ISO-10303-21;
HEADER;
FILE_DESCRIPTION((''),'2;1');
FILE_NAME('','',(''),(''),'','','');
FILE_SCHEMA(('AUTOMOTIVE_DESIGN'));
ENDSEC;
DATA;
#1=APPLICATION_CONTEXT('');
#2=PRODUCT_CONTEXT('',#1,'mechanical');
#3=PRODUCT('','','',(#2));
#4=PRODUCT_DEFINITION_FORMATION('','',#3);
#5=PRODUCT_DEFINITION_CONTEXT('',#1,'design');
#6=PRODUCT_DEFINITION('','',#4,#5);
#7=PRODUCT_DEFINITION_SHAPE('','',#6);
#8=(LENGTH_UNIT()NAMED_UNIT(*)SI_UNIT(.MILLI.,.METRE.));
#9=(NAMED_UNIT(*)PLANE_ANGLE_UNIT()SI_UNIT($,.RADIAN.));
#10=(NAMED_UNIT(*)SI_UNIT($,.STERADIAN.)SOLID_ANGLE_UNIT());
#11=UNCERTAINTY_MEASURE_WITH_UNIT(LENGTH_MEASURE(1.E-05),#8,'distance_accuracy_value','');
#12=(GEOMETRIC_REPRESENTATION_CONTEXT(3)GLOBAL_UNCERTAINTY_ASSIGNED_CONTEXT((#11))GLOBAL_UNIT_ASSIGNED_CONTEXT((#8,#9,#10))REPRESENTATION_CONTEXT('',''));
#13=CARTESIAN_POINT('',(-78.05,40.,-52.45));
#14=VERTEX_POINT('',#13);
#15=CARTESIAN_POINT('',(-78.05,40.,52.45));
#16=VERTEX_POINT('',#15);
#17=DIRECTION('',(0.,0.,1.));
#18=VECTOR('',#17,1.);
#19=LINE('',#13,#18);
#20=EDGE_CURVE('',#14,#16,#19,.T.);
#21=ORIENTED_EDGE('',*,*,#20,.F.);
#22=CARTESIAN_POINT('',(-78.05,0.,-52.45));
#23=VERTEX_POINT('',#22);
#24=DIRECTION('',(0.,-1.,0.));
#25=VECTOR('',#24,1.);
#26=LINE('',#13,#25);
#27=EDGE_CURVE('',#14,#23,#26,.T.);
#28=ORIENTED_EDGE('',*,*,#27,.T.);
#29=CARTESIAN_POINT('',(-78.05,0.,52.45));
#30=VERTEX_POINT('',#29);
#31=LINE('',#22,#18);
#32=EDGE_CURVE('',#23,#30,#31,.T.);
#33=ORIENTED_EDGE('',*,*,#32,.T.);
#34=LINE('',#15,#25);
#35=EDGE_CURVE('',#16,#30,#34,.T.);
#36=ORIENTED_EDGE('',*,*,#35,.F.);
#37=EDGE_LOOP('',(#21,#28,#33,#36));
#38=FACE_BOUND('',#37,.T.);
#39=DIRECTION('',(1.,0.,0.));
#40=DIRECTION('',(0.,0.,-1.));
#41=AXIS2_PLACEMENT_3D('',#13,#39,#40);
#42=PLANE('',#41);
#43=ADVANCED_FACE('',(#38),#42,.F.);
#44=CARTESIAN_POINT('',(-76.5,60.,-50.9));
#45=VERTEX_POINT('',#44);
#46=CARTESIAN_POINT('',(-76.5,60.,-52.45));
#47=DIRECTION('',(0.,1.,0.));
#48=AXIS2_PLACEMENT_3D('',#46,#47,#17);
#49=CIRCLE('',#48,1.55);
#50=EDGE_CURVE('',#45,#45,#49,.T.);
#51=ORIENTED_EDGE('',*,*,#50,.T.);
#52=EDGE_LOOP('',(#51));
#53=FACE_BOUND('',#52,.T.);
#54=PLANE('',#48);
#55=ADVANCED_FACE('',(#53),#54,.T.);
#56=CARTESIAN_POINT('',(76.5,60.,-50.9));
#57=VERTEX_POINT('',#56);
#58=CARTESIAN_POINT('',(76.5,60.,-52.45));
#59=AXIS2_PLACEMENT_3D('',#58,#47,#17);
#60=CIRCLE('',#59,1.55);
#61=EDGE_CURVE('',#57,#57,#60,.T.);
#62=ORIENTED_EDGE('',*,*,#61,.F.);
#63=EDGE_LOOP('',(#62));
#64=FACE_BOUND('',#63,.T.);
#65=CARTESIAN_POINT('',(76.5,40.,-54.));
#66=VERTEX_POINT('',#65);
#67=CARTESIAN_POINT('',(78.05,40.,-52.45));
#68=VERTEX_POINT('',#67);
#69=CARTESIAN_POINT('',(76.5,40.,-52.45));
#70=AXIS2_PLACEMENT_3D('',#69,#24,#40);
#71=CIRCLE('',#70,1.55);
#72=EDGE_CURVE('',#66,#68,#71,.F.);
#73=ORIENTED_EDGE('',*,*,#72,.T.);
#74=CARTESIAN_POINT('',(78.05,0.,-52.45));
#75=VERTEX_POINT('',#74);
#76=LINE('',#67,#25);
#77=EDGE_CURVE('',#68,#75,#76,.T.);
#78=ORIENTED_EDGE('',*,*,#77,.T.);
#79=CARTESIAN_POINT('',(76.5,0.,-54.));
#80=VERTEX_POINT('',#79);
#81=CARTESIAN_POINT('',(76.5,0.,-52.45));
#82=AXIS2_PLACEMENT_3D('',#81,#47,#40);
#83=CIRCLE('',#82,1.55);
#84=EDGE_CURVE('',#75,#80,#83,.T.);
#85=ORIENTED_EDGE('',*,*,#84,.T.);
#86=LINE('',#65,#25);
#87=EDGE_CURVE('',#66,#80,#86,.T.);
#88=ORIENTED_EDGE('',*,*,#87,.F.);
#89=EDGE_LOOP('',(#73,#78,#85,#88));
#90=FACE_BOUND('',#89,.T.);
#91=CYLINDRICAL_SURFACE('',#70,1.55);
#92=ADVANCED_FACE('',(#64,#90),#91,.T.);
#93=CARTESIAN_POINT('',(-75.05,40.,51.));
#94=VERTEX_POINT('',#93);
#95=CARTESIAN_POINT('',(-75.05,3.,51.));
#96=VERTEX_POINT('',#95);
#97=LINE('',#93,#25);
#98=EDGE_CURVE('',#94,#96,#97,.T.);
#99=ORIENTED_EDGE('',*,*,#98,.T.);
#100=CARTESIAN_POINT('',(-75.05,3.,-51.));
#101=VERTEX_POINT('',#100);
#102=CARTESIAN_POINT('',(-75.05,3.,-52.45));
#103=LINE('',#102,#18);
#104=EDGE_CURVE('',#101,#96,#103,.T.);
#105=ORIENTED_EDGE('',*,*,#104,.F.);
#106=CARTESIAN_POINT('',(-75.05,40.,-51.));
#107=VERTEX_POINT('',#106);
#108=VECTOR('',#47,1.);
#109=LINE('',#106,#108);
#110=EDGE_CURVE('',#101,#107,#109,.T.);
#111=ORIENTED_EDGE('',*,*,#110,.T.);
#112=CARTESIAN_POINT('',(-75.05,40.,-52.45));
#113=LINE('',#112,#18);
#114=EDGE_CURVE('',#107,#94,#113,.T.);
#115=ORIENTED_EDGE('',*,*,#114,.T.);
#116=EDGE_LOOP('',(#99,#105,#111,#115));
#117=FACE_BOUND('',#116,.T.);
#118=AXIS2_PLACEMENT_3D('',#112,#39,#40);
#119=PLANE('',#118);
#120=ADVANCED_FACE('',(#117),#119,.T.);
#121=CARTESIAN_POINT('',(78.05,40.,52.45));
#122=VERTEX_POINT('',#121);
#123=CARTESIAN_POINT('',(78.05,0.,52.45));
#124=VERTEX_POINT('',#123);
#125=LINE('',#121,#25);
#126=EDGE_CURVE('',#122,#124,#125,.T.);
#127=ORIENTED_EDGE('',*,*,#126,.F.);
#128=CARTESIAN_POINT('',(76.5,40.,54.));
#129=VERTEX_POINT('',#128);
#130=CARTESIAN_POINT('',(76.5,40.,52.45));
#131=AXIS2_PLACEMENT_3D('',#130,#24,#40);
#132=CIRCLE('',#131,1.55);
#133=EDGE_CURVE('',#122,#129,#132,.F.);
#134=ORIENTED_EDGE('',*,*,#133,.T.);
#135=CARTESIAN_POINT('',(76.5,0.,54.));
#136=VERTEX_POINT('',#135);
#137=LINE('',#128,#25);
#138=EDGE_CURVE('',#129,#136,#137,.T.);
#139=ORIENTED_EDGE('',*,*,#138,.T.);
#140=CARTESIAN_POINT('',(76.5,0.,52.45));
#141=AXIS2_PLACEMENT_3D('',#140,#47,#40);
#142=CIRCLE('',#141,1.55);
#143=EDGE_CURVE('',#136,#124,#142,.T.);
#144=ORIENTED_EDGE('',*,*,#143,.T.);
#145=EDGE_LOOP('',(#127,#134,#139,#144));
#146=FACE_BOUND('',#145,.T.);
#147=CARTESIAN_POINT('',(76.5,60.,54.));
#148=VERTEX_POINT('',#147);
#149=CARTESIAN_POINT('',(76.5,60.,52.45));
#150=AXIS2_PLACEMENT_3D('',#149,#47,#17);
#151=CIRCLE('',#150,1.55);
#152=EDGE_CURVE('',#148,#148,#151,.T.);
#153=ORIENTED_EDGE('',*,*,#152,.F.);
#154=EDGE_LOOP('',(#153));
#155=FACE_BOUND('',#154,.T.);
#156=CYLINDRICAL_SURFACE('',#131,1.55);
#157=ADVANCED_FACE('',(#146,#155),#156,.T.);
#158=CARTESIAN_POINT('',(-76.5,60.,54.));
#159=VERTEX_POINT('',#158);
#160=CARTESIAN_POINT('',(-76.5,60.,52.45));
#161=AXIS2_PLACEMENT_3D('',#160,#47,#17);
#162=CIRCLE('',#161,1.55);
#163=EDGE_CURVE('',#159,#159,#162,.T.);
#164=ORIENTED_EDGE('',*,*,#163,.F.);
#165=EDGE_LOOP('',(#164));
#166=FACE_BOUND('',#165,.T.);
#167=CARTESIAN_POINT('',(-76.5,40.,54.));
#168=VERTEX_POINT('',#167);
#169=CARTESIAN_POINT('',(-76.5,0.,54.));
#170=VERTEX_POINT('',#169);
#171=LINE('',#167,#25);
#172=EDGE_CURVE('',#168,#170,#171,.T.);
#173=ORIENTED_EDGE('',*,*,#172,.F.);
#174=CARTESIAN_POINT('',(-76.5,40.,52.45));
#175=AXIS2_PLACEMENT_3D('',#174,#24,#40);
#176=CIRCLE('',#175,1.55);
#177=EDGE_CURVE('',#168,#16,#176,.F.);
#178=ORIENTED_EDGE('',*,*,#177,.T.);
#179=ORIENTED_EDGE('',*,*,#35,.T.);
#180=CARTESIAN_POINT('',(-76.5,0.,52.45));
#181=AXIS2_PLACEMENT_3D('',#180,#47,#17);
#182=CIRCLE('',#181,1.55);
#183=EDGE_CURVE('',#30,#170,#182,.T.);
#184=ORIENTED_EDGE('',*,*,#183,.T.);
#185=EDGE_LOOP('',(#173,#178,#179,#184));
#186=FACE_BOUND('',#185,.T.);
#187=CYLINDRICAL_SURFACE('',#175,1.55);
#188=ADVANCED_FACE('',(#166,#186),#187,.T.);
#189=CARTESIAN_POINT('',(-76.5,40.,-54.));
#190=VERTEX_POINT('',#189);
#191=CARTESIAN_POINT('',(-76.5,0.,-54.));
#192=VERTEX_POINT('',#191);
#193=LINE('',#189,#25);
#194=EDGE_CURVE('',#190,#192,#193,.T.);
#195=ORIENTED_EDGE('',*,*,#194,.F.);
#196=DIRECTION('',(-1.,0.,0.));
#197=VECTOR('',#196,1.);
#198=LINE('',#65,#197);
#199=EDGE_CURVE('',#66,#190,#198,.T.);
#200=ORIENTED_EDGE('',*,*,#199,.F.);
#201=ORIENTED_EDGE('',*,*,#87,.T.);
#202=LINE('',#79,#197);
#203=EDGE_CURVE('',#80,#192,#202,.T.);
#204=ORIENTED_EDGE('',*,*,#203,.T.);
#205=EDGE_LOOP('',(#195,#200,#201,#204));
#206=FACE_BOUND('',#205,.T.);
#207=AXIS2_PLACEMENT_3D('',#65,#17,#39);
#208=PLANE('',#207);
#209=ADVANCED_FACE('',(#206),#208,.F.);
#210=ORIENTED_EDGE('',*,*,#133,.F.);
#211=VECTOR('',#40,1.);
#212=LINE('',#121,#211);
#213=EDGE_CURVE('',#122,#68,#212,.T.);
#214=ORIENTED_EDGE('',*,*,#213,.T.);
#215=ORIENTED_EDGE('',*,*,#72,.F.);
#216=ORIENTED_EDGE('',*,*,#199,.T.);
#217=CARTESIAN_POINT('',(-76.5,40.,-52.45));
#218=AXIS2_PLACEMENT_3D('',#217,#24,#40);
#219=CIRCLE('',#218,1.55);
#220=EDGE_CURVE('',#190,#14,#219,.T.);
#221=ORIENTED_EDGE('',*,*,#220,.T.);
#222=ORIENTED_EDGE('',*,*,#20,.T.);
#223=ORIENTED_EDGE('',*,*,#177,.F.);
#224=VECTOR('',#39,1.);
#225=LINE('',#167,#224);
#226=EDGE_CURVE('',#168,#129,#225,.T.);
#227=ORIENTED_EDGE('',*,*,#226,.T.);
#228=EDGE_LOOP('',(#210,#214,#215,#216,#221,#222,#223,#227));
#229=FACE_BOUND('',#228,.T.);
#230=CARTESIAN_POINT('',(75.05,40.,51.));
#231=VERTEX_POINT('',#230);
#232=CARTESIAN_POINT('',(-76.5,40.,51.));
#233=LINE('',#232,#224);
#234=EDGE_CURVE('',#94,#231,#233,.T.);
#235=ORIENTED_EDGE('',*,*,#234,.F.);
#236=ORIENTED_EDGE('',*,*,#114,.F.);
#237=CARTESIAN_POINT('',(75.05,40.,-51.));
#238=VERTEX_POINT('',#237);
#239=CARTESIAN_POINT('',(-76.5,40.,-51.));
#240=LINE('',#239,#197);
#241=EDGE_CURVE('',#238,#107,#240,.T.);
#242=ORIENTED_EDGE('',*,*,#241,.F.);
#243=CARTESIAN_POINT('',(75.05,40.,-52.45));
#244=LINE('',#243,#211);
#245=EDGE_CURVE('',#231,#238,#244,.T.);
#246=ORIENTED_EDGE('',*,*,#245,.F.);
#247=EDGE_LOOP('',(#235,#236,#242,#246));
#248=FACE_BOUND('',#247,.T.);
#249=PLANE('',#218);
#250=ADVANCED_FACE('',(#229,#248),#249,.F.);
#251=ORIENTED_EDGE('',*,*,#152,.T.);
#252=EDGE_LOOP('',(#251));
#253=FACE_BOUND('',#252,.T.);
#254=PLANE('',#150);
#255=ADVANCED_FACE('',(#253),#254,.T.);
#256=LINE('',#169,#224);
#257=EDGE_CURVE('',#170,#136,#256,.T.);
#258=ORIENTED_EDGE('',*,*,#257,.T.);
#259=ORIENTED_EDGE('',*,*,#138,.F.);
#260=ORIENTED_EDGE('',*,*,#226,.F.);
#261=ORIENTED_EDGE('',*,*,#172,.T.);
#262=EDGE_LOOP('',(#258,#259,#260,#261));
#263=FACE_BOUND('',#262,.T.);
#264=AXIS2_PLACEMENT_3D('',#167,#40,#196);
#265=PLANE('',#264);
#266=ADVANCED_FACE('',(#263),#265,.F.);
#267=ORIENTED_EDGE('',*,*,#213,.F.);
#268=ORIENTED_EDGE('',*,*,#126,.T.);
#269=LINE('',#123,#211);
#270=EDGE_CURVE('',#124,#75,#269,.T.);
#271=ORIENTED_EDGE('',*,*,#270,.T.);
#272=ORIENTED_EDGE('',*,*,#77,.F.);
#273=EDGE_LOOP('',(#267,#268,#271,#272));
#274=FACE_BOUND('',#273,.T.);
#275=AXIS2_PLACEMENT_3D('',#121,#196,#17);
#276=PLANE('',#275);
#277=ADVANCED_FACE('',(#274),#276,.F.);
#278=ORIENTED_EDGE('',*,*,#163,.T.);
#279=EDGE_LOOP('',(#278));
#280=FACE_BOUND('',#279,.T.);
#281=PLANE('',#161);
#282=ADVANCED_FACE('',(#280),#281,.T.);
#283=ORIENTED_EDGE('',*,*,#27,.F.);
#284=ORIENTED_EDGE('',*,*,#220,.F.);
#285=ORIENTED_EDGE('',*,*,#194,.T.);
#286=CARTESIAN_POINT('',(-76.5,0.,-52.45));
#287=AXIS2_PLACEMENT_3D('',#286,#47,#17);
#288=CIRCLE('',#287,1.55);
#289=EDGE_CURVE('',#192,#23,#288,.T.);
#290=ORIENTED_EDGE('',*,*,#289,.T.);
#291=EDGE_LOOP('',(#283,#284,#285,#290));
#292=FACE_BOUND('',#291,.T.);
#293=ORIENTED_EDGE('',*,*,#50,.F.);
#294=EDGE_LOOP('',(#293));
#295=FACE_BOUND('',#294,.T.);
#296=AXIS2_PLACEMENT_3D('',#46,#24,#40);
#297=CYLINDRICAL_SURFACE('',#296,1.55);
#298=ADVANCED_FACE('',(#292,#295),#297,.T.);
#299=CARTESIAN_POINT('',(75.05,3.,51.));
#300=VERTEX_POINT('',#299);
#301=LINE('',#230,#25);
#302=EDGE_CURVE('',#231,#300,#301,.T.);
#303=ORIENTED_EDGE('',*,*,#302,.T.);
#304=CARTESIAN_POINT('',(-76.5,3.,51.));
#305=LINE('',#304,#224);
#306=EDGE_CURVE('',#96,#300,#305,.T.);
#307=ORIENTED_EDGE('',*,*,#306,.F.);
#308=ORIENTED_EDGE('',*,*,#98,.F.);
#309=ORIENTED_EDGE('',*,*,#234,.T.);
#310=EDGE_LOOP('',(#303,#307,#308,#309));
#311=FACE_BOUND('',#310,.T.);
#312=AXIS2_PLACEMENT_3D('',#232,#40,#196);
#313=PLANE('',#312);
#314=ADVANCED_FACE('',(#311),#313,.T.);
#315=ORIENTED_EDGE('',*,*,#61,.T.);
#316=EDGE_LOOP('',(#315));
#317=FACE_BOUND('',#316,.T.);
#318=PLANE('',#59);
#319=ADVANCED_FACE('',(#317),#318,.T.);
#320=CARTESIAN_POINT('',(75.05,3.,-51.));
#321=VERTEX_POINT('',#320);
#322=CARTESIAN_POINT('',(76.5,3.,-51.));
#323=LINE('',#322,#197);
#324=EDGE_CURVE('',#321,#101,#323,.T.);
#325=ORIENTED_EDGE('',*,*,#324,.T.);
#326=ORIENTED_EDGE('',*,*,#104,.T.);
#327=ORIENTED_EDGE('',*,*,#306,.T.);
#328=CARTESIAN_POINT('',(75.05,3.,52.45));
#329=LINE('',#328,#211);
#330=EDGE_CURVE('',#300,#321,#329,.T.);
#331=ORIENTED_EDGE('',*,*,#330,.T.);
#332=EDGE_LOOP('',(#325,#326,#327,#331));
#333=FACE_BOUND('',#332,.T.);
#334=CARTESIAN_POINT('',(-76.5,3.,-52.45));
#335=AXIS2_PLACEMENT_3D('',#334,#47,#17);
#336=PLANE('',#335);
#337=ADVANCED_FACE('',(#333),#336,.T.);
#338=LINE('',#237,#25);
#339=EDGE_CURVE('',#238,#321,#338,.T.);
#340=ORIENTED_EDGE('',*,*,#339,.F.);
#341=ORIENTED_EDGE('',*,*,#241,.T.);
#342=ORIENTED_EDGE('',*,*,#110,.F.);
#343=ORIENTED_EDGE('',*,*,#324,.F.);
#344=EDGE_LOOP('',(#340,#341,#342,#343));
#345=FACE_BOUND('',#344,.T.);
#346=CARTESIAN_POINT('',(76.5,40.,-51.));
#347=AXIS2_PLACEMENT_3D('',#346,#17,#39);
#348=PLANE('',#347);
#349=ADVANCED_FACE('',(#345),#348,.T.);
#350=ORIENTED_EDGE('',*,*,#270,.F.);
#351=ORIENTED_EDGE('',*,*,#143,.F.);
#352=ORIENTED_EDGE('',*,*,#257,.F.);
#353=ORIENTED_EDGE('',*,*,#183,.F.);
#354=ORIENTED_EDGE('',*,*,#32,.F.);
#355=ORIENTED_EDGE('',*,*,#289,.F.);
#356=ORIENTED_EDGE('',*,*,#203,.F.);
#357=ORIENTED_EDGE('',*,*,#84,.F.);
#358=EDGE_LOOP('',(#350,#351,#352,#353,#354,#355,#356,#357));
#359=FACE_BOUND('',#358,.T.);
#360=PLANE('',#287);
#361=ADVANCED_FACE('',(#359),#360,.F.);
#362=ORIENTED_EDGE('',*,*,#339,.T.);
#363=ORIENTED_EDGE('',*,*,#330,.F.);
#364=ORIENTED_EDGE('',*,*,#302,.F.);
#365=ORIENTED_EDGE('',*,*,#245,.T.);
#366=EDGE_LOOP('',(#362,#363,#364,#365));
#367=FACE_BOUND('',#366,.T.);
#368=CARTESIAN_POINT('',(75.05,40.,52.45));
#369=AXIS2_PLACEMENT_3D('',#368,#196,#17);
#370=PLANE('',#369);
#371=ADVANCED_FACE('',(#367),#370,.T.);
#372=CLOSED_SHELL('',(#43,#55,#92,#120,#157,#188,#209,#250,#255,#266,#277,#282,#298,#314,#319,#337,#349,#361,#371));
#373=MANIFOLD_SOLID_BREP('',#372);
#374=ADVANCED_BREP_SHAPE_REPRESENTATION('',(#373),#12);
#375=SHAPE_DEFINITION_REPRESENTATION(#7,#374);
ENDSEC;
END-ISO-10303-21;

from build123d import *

# Parameters (mm, degrees)
SKETCH1_R             = 1.55
BOSS_EXTRUDE1_DEPTH   = 60
BOSS_EXTRUDE1_2_DEPTH = 60
BOSS_EXTRUDE1_3_DEPTH = 60
BOSS_EXTRUDE1_4_DEPTH = 60
BOSS_EXTRUDE2_DEPTH   = 40
SHELL1_T              = -3


with BuildPart() as part:
    # Sketch1 → Boss-Extrude1 (new body)
    with BuildSketch(Plane(origin=(0, 0, 0), x_dir=(1, 0, 0), z_dir=(0, 1, 0))):
        with Locations(Location((-76.5, 52.45, 0), (0, 0, 270))):
            Circle(SKETCH1_R)
    extrude(amount=BOSS_EXTRUDE1_DEPTH)



with BuildPart() as body_2:
    # Sketch1 → Boss-Extrude1 2 (new body)
    with BuildSketch(Plane(origin=(0, 0, 0), x_dir=(1, 0, 0), z_dir=(0, 1, 0))):
        with Locations(Location((76.5, 52.45, 0), (0, 0, 270))):
            Circle(SKETCH1_R)
    extrude(amount=BOSS_EXTRUDE1_2_DEPTH)


with BuildPart() as body_3:
    # Sketch1 → Boss-Extrude1 3 (new body)
    with BuildSketch(Plane(origin=(0, 0, 0), x_dir=(1, 0, 0), z_dir=(0, 1, 0))):
        with Locations(Location((76.5, -52.45, 0), (0, 0, 270))):
            Circle(SKETCH1_R)
    extrude(amount=BOSS_EXTRUDE1_3_DEPTH)


with BuildPart() as body_4:
    # Sketch1 → Boss-Extrude1 4 (new body)
    with BuildSketch(Plane(origin=(0, 0, 0), x_dir=(1, 0, 0), z_dir=(0, 1, 0))):
        with Locations(Location((-76.5, -52.45, 0), (0, 0, 270))):
            Circle(SKETCH1_R)
    extrude(amount=BOSS_EXTRUDE1_4_DEPTH)


with BuildPart() as part_1:
    add(part.part)

    add(body_2.part)  # Boss-Extrude2 merges body 2

    add(body_3.part)  # Boss-Extrude2 merges body 3

    add(body_4.part)  # Boss-Extrude2 merges body 4
    # Sketch2 → Boss-Extrude2 (add)
    with BuildSketch(Plane(origin=(0, 0, 0), x_dir=(1, 0, 0), z_dir=(0, 1, 0))):
        with BuildLine():
            Line((-78.05, 52.45), (-78.05, -52.45))
            ThreePointArc((-78.05, -52.45), (-77.596015511, -53.546015511), (-76.5, -54))
            Line((-76.5, -54), (76.5, -54))
            ThreePointArc((76.5, -54), (77.596015511, -53.546015511), (78.05, -52.45))
            Line((78.05, -52.45), (78.05, 52.45))
            ThreePointArc((78.05, 52.45), (77.596015511, 53.546015511), (76.5, 54))
            Line((76.5, 54), (-76.5, 54))
            ThreePointArc((-76.5, 54), (-77.596015511, 53.546015511), (-78.05, 52.45))
        make_face()
    extrude(amount=BOSS_EXTRUDE2_DEPTH)

    # Shell1
    shell1_openings = [part_1.faces().sort_by_distance(p)[0] for p in [
        (0, 40, 0),
    ]]
    offset(amount=SHELL1_T, openings=shell1_openings)


solid = part_1.part
